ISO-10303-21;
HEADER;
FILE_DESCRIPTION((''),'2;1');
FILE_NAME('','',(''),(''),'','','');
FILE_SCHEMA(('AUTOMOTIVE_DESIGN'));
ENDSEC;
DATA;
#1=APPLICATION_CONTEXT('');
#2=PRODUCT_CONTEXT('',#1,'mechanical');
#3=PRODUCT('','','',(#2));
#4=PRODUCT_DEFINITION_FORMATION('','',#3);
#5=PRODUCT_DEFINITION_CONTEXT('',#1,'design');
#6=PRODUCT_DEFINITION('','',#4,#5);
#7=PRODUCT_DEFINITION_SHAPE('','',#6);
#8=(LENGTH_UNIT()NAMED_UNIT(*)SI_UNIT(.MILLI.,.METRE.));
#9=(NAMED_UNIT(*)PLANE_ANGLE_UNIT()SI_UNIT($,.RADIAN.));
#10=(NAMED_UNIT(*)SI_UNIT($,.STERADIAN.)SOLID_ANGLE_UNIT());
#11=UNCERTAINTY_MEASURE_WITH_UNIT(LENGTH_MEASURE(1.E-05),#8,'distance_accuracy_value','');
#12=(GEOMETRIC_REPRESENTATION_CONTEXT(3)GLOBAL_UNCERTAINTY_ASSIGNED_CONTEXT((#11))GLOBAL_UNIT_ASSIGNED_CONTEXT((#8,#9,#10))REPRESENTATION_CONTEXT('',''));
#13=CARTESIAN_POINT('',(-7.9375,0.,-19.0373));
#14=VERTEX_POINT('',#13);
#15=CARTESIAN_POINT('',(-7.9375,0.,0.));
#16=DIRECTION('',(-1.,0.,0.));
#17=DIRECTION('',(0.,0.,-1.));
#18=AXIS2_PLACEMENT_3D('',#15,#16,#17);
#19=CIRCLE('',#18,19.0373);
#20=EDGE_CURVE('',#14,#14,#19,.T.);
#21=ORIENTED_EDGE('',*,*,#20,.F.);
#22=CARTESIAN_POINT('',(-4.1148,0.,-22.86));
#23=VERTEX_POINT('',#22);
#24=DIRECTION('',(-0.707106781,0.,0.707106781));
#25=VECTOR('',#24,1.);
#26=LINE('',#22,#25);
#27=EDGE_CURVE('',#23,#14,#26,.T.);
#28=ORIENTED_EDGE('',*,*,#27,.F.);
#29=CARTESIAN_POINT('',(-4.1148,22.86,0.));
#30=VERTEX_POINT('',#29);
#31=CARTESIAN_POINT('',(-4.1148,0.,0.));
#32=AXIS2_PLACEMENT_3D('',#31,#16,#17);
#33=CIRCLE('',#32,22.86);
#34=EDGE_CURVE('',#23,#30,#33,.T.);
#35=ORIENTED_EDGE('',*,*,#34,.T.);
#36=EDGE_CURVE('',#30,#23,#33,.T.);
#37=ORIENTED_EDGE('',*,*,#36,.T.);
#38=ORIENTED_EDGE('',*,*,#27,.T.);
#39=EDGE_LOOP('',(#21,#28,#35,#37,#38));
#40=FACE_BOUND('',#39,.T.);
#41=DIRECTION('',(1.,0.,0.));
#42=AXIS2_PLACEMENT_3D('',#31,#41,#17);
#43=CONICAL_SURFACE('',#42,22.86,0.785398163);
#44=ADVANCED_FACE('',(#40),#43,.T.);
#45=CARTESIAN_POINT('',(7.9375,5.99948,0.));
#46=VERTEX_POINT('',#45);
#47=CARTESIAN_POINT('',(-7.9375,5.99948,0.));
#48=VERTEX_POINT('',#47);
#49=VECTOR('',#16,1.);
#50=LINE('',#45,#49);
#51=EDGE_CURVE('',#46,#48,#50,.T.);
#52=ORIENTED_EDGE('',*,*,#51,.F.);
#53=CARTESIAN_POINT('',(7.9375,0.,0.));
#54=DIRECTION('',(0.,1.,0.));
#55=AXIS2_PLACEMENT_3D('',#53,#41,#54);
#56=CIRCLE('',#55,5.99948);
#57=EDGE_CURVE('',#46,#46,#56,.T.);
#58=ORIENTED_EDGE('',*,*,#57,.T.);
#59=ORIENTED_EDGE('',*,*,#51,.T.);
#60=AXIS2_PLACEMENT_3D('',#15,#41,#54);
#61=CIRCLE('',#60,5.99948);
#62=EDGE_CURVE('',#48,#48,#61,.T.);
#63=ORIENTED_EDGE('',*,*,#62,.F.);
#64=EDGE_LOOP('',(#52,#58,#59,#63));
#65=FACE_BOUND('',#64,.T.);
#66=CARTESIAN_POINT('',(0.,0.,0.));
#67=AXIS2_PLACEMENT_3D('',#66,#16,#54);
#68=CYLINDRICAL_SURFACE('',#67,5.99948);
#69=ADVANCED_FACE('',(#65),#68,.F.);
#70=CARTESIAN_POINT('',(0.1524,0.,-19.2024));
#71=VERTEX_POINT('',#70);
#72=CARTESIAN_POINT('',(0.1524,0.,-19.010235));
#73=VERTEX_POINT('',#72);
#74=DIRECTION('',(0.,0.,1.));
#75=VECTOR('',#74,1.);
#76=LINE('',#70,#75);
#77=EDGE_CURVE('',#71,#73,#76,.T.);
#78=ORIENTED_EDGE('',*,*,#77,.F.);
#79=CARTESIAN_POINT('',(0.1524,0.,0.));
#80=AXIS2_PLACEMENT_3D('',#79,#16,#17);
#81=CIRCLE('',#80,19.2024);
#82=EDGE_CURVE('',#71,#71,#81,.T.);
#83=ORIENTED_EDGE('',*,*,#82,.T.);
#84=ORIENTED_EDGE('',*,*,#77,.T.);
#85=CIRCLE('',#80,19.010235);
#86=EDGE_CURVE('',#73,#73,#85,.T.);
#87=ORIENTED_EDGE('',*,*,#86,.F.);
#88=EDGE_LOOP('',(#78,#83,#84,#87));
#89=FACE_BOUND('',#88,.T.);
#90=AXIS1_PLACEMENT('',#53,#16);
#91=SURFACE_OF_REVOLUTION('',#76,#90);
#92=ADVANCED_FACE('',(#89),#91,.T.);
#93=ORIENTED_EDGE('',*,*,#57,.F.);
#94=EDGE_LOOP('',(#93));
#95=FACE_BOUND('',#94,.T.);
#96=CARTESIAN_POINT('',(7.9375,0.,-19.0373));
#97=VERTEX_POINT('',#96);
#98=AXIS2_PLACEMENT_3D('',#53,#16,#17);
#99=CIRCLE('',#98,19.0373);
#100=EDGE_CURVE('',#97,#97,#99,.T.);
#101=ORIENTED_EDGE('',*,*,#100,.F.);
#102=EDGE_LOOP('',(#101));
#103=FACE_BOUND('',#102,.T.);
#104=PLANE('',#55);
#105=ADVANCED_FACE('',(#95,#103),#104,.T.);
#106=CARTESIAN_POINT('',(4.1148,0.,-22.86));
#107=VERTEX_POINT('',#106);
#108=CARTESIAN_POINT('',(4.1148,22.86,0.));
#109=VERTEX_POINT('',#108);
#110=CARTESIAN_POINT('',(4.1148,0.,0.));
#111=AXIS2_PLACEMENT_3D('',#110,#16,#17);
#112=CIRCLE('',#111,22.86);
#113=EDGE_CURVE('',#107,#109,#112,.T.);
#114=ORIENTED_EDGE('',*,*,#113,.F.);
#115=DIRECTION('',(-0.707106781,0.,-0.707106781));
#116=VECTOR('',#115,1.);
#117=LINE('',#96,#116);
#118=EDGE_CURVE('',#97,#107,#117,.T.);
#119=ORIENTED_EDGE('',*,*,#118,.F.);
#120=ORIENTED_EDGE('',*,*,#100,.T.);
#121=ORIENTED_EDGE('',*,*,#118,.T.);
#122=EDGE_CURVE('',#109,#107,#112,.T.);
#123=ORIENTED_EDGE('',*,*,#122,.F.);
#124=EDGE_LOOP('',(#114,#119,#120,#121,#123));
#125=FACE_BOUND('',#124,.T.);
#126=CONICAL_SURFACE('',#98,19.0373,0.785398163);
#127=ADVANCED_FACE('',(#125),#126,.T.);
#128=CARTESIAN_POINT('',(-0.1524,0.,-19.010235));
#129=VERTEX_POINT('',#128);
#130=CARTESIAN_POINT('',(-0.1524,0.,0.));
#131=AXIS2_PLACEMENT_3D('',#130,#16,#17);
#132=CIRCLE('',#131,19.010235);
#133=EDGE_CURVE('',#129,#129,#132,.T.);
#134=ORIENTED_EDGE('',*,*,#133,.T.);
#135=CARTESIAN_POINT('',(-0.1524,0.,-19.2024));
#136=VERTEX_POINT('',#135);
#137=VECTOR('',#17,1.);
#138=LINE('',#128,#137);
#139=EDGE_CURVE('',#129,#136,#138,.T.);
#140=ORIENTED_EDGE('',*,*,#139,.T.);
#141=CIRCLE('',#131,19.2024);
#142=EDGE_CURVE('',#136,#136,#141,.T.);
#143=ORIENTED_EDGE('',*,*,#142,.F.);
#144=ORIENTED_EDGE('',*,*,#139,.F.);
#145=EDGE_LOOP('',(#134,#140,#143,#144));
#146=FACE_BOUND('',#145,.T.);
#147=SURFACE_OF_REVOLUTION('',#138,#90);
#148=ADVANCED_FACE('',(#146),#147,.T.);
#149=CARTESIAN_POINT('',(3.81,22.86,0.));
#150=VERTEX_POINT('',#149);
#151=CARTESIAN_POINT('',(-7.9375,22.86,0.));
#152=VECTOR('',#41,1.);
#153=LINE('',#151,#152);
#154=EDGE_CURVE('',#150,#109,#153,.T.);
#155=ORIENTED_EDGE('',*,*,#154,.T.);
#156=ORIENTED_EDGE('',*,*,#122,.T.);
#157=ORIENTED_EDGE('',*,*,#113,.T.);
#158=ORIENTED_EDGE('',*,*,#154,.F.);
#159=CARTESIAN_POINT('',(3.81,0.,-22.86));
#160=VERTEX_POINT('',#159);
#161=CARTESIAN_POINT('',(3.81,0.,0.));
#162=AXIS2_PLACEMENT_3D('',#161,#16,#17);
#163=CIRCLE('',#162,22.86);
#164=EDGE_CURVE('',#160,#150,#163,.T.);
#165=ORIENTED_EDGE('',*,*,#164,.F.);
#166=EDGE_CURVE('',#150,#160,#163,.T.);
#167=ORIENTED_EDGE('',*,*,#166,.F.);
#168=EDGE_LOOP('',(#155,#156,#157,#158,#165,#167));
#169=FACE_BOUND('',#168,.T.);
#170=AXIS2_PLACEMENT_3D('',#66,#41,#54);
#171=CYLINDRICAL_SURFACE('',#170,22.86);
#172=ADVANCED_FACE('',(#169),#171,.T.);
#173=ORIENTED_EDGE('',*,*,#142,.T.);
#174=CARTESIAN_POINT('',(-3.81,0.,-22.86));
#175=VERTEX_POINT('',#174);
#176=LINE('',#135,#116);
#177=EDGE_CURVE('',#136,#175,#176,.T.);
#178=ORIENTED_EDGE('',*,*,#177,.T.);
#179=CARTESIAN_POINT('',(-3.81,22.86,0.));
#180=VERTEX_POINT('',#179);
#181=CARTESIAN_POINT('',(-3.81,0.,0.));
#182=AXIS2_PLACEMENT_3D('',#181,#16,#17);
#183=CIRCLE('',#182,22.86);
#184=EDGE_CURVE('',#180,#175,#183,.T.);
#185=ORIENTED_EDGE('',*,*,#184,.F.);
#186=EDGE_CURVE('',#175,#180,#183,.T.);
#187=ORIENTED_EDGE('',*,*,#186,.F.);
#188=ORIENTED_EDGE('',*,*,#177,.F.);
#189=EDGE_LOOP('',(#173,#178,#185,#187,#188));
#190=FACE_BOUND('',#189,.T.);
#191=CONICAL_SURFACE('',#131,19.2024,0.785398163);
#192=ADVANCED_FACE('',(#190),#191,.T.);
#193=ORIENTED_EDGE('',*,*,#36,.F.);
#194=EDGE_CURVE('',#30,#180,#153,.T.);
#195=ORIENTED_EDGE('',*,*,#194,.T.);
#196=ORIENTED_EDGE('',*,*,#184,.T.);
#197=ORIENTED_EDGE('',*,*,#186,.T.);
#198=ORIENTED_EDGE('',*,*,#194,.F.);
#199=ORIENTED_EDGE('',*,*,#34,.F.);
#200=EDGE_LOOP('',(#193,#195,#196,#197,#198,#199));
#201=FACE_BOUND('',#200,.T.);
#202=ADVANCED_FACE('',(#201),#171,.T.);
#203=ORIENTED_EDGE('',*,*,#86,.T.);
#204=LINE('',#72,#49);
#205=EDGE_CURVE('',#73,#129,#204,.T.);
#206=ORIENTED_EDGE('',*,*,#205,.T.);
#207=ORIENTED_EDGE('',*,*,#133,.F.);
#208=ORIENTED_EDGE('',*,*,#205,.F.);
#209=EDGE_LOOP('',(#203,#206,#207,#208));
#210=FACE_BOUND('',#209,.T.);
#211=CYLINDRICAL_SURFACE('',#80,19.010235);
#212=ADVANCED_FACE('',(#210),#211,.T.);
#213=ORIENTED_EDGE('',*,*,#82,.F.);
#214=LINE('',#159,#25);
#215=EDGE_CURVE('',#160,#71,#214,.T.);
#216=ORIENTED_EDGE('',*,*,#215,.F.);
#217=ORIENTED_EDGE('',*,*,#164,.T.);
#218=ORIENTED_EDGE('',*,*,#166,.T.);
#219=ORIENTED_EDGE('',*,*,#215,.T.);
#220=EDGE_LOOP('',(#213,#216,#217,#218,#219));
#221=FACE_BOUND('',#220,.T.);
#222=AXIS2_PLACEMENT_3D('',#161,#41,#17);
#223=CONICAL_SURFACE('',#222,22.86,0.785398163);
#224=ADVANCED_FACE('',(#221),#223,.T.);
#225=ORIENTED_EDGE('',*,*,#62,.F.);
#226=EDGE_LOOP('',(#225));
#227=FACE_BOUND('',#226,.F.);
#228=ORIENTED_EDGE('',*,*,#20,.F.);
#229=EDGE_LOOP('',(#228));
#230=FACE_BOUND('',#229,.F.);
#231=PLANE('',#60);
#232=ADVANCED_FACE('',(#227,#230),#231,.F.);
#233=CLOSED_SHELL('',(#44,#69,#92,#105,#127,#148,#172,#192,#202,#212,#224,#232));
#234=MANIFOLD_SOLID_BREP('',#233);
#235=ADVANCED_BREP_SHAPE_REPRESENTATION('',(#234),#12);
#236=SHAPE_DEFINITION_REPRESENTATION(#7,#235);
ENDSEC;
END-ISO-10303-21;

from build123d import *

# Parameters (mm, degrees)
F0_R     = 22.86
F0_R_2   = 5.99948
F1_DEPTH = 7.9375


with BuildPart() as f1:
    # F0 (on Right) → F1 (new body, symmetric)
    with BuildSketch(Plane.YZ):
        Circle(F0_R)
        Circle(F0_R_2, mode=Mode.SUBTRACT)
    extrude(amount=F1_DEPTH, both=True)

    # F3: sweep along a path in F3_path
    with BuildLine(Plane(origin=(7.9375, 22.86, 0), x_dir=(0, 0, -1), z_dir=(-1, 0, 0))) as f3_path:
        CenterArc((0, 22.86), 22.86, 0, 360)
    # F2 (on Top) → F3 (sweep, cut)
    with BuildSketch(Plane.XY):
        Polygon((-4.1148, -22.86), (-7.9375, -19.0373), (-7.9375, -22.86), align=None)
        Polygon((-0.1524, -19.2024), (-3.81, -22.86), (3.81, -22.86), (0.1524, -19.2024), (0.1524, -19.0102346241), (0.0172294403, -19.0102346241), (-0.0172294403, -19.0102346241), (-0.1524, -19.0102346241), align=None)
        Polygon((7.9375, -19.0373), (4.1148, -22.86), (7.9375, -22.86), align=None)
    sweep(path=f3_path.line, mode=Mode.SUBTRACT)


solid = f1.part
